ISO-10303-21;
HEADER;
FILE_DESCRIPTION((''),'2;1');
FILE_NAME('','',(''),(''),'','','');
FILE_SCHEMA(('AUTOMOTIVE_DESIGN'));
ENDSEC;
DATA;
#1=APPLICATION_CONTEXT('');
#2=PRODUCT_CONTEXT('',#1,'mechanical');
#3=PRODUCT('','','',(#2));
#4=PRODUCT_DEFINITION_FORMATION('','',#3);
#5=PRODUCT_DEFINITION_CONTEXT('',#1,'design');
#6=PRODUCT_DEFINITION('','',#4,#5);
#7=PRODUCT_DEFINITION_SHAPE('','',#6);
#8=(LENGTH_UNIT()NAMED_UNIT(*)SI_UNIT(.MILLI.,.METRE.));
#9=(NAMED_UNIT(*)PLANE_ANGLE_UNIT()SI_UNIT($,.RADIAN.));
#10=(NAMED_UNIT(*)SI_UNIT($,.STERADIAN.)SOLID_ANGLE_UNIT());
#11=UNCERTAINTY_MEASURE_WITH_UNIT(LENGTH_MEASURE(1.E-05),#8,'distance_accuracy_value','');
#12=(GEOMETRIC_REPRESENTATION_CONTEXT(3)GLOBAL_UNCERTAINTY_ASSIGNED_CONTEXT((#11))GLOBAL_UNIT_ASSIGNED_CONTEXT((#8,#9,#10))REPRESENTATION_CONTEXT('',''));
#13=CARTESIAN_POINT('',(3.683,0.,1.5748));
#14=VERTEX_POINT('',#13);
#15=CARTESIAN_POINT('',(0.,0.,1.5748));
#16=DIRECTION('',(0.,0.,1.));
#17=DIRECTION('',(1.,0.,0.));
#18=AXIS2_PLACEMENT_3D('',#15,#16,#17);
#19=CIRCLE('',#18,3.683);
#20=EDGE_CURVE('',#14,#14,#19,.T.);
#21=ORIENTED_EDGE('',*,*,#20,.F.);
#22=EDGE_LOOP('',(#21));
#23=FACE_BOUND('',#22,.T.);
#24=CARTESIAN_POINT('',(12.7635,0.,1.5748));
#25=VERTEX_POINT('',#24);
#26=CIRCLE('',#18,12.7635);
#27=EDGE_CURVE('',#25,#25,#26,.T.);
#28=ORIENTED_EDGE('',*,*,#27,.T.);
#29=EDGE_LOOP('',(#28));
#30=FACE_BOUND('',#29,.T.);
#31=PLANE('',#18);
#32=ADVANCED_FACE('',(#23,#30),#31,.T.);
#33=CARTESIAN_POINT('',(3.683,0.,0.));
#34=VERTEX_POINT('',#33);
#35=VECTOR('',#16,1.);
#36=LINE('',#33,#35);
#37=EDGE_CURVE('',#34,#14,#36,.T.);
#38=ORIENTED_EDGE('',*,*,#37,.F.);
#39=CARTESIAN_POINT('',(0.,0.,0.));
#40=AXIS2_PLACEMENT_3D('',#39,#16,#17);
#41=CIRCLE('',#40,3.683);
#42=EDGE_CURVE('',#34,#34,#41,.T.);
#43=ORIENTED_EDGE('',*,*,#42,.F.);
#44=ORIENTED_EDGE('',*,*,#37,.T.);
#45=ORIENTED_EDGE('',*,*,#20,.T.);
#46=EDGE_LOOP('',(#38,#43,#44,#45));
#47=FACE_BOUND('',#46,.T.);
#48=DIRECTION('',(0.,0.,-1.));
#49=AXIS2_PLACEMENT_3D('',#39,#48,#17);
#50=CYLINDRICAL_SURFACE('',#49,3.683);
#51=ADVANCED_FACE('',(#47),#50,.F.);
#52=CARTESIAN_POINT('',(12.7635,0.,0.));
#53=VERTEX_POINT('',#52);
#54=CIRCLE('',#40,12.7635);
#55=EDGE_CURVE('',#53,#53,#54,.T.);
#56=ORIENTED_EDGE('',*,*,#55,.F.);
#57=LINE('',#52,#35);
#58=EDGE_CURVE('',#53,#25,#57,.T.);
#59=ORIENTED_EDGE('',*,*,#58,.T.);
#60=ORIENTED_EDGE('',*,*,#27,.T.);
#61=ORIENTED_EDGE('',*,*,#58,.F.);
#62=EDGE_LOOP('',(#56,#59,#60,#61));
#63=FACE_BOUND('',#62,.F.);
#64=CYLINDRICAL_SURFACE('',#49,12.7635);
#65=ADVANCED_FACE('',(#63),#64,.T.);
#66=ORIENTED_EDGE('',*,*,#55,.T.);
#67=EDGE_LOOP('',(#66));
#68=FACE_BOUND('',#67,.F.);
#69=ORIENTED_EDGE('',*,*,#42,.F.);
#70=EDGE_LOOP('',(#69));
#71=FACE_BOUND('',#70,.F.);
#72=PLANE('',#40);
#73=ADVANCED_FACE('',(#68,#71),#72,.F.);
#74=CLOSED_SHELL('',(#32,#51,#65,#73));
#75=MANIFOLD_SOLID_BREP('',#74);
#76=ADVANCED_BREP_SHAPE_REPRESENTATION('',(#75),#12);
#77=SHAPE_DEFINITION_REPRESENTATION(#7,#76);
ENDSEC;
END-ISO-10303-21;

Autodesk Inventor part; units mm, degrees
ref_plane "YZ Plane" through (0, 0, 0) normal (1, 0, 0) x (0, 1, 0)
ref_plane "XZ Plane" through (0, 0, 0) normal (0, 1, 0) x (-1, 0, 0)
ref_plane "XY Plane" through (0, 0, 0) normal (0, 0, 1) x (1, 0, 0)
sketch "Sketch1" plane through (0, 0, 0) normal (0, 0, 1) x (1, 0, 0)
  circle A0 centre (0, 0) radius 12.7635
  circle A1 centre (0, 0) radius 3.683
  dimension "d0" = 7.366
  dimension "d1" = 25.527
extrude "Extrusion1" add sketch "Sketch1" along normal blind 1.5748
properties part number "HW-00021" material "Steel"
